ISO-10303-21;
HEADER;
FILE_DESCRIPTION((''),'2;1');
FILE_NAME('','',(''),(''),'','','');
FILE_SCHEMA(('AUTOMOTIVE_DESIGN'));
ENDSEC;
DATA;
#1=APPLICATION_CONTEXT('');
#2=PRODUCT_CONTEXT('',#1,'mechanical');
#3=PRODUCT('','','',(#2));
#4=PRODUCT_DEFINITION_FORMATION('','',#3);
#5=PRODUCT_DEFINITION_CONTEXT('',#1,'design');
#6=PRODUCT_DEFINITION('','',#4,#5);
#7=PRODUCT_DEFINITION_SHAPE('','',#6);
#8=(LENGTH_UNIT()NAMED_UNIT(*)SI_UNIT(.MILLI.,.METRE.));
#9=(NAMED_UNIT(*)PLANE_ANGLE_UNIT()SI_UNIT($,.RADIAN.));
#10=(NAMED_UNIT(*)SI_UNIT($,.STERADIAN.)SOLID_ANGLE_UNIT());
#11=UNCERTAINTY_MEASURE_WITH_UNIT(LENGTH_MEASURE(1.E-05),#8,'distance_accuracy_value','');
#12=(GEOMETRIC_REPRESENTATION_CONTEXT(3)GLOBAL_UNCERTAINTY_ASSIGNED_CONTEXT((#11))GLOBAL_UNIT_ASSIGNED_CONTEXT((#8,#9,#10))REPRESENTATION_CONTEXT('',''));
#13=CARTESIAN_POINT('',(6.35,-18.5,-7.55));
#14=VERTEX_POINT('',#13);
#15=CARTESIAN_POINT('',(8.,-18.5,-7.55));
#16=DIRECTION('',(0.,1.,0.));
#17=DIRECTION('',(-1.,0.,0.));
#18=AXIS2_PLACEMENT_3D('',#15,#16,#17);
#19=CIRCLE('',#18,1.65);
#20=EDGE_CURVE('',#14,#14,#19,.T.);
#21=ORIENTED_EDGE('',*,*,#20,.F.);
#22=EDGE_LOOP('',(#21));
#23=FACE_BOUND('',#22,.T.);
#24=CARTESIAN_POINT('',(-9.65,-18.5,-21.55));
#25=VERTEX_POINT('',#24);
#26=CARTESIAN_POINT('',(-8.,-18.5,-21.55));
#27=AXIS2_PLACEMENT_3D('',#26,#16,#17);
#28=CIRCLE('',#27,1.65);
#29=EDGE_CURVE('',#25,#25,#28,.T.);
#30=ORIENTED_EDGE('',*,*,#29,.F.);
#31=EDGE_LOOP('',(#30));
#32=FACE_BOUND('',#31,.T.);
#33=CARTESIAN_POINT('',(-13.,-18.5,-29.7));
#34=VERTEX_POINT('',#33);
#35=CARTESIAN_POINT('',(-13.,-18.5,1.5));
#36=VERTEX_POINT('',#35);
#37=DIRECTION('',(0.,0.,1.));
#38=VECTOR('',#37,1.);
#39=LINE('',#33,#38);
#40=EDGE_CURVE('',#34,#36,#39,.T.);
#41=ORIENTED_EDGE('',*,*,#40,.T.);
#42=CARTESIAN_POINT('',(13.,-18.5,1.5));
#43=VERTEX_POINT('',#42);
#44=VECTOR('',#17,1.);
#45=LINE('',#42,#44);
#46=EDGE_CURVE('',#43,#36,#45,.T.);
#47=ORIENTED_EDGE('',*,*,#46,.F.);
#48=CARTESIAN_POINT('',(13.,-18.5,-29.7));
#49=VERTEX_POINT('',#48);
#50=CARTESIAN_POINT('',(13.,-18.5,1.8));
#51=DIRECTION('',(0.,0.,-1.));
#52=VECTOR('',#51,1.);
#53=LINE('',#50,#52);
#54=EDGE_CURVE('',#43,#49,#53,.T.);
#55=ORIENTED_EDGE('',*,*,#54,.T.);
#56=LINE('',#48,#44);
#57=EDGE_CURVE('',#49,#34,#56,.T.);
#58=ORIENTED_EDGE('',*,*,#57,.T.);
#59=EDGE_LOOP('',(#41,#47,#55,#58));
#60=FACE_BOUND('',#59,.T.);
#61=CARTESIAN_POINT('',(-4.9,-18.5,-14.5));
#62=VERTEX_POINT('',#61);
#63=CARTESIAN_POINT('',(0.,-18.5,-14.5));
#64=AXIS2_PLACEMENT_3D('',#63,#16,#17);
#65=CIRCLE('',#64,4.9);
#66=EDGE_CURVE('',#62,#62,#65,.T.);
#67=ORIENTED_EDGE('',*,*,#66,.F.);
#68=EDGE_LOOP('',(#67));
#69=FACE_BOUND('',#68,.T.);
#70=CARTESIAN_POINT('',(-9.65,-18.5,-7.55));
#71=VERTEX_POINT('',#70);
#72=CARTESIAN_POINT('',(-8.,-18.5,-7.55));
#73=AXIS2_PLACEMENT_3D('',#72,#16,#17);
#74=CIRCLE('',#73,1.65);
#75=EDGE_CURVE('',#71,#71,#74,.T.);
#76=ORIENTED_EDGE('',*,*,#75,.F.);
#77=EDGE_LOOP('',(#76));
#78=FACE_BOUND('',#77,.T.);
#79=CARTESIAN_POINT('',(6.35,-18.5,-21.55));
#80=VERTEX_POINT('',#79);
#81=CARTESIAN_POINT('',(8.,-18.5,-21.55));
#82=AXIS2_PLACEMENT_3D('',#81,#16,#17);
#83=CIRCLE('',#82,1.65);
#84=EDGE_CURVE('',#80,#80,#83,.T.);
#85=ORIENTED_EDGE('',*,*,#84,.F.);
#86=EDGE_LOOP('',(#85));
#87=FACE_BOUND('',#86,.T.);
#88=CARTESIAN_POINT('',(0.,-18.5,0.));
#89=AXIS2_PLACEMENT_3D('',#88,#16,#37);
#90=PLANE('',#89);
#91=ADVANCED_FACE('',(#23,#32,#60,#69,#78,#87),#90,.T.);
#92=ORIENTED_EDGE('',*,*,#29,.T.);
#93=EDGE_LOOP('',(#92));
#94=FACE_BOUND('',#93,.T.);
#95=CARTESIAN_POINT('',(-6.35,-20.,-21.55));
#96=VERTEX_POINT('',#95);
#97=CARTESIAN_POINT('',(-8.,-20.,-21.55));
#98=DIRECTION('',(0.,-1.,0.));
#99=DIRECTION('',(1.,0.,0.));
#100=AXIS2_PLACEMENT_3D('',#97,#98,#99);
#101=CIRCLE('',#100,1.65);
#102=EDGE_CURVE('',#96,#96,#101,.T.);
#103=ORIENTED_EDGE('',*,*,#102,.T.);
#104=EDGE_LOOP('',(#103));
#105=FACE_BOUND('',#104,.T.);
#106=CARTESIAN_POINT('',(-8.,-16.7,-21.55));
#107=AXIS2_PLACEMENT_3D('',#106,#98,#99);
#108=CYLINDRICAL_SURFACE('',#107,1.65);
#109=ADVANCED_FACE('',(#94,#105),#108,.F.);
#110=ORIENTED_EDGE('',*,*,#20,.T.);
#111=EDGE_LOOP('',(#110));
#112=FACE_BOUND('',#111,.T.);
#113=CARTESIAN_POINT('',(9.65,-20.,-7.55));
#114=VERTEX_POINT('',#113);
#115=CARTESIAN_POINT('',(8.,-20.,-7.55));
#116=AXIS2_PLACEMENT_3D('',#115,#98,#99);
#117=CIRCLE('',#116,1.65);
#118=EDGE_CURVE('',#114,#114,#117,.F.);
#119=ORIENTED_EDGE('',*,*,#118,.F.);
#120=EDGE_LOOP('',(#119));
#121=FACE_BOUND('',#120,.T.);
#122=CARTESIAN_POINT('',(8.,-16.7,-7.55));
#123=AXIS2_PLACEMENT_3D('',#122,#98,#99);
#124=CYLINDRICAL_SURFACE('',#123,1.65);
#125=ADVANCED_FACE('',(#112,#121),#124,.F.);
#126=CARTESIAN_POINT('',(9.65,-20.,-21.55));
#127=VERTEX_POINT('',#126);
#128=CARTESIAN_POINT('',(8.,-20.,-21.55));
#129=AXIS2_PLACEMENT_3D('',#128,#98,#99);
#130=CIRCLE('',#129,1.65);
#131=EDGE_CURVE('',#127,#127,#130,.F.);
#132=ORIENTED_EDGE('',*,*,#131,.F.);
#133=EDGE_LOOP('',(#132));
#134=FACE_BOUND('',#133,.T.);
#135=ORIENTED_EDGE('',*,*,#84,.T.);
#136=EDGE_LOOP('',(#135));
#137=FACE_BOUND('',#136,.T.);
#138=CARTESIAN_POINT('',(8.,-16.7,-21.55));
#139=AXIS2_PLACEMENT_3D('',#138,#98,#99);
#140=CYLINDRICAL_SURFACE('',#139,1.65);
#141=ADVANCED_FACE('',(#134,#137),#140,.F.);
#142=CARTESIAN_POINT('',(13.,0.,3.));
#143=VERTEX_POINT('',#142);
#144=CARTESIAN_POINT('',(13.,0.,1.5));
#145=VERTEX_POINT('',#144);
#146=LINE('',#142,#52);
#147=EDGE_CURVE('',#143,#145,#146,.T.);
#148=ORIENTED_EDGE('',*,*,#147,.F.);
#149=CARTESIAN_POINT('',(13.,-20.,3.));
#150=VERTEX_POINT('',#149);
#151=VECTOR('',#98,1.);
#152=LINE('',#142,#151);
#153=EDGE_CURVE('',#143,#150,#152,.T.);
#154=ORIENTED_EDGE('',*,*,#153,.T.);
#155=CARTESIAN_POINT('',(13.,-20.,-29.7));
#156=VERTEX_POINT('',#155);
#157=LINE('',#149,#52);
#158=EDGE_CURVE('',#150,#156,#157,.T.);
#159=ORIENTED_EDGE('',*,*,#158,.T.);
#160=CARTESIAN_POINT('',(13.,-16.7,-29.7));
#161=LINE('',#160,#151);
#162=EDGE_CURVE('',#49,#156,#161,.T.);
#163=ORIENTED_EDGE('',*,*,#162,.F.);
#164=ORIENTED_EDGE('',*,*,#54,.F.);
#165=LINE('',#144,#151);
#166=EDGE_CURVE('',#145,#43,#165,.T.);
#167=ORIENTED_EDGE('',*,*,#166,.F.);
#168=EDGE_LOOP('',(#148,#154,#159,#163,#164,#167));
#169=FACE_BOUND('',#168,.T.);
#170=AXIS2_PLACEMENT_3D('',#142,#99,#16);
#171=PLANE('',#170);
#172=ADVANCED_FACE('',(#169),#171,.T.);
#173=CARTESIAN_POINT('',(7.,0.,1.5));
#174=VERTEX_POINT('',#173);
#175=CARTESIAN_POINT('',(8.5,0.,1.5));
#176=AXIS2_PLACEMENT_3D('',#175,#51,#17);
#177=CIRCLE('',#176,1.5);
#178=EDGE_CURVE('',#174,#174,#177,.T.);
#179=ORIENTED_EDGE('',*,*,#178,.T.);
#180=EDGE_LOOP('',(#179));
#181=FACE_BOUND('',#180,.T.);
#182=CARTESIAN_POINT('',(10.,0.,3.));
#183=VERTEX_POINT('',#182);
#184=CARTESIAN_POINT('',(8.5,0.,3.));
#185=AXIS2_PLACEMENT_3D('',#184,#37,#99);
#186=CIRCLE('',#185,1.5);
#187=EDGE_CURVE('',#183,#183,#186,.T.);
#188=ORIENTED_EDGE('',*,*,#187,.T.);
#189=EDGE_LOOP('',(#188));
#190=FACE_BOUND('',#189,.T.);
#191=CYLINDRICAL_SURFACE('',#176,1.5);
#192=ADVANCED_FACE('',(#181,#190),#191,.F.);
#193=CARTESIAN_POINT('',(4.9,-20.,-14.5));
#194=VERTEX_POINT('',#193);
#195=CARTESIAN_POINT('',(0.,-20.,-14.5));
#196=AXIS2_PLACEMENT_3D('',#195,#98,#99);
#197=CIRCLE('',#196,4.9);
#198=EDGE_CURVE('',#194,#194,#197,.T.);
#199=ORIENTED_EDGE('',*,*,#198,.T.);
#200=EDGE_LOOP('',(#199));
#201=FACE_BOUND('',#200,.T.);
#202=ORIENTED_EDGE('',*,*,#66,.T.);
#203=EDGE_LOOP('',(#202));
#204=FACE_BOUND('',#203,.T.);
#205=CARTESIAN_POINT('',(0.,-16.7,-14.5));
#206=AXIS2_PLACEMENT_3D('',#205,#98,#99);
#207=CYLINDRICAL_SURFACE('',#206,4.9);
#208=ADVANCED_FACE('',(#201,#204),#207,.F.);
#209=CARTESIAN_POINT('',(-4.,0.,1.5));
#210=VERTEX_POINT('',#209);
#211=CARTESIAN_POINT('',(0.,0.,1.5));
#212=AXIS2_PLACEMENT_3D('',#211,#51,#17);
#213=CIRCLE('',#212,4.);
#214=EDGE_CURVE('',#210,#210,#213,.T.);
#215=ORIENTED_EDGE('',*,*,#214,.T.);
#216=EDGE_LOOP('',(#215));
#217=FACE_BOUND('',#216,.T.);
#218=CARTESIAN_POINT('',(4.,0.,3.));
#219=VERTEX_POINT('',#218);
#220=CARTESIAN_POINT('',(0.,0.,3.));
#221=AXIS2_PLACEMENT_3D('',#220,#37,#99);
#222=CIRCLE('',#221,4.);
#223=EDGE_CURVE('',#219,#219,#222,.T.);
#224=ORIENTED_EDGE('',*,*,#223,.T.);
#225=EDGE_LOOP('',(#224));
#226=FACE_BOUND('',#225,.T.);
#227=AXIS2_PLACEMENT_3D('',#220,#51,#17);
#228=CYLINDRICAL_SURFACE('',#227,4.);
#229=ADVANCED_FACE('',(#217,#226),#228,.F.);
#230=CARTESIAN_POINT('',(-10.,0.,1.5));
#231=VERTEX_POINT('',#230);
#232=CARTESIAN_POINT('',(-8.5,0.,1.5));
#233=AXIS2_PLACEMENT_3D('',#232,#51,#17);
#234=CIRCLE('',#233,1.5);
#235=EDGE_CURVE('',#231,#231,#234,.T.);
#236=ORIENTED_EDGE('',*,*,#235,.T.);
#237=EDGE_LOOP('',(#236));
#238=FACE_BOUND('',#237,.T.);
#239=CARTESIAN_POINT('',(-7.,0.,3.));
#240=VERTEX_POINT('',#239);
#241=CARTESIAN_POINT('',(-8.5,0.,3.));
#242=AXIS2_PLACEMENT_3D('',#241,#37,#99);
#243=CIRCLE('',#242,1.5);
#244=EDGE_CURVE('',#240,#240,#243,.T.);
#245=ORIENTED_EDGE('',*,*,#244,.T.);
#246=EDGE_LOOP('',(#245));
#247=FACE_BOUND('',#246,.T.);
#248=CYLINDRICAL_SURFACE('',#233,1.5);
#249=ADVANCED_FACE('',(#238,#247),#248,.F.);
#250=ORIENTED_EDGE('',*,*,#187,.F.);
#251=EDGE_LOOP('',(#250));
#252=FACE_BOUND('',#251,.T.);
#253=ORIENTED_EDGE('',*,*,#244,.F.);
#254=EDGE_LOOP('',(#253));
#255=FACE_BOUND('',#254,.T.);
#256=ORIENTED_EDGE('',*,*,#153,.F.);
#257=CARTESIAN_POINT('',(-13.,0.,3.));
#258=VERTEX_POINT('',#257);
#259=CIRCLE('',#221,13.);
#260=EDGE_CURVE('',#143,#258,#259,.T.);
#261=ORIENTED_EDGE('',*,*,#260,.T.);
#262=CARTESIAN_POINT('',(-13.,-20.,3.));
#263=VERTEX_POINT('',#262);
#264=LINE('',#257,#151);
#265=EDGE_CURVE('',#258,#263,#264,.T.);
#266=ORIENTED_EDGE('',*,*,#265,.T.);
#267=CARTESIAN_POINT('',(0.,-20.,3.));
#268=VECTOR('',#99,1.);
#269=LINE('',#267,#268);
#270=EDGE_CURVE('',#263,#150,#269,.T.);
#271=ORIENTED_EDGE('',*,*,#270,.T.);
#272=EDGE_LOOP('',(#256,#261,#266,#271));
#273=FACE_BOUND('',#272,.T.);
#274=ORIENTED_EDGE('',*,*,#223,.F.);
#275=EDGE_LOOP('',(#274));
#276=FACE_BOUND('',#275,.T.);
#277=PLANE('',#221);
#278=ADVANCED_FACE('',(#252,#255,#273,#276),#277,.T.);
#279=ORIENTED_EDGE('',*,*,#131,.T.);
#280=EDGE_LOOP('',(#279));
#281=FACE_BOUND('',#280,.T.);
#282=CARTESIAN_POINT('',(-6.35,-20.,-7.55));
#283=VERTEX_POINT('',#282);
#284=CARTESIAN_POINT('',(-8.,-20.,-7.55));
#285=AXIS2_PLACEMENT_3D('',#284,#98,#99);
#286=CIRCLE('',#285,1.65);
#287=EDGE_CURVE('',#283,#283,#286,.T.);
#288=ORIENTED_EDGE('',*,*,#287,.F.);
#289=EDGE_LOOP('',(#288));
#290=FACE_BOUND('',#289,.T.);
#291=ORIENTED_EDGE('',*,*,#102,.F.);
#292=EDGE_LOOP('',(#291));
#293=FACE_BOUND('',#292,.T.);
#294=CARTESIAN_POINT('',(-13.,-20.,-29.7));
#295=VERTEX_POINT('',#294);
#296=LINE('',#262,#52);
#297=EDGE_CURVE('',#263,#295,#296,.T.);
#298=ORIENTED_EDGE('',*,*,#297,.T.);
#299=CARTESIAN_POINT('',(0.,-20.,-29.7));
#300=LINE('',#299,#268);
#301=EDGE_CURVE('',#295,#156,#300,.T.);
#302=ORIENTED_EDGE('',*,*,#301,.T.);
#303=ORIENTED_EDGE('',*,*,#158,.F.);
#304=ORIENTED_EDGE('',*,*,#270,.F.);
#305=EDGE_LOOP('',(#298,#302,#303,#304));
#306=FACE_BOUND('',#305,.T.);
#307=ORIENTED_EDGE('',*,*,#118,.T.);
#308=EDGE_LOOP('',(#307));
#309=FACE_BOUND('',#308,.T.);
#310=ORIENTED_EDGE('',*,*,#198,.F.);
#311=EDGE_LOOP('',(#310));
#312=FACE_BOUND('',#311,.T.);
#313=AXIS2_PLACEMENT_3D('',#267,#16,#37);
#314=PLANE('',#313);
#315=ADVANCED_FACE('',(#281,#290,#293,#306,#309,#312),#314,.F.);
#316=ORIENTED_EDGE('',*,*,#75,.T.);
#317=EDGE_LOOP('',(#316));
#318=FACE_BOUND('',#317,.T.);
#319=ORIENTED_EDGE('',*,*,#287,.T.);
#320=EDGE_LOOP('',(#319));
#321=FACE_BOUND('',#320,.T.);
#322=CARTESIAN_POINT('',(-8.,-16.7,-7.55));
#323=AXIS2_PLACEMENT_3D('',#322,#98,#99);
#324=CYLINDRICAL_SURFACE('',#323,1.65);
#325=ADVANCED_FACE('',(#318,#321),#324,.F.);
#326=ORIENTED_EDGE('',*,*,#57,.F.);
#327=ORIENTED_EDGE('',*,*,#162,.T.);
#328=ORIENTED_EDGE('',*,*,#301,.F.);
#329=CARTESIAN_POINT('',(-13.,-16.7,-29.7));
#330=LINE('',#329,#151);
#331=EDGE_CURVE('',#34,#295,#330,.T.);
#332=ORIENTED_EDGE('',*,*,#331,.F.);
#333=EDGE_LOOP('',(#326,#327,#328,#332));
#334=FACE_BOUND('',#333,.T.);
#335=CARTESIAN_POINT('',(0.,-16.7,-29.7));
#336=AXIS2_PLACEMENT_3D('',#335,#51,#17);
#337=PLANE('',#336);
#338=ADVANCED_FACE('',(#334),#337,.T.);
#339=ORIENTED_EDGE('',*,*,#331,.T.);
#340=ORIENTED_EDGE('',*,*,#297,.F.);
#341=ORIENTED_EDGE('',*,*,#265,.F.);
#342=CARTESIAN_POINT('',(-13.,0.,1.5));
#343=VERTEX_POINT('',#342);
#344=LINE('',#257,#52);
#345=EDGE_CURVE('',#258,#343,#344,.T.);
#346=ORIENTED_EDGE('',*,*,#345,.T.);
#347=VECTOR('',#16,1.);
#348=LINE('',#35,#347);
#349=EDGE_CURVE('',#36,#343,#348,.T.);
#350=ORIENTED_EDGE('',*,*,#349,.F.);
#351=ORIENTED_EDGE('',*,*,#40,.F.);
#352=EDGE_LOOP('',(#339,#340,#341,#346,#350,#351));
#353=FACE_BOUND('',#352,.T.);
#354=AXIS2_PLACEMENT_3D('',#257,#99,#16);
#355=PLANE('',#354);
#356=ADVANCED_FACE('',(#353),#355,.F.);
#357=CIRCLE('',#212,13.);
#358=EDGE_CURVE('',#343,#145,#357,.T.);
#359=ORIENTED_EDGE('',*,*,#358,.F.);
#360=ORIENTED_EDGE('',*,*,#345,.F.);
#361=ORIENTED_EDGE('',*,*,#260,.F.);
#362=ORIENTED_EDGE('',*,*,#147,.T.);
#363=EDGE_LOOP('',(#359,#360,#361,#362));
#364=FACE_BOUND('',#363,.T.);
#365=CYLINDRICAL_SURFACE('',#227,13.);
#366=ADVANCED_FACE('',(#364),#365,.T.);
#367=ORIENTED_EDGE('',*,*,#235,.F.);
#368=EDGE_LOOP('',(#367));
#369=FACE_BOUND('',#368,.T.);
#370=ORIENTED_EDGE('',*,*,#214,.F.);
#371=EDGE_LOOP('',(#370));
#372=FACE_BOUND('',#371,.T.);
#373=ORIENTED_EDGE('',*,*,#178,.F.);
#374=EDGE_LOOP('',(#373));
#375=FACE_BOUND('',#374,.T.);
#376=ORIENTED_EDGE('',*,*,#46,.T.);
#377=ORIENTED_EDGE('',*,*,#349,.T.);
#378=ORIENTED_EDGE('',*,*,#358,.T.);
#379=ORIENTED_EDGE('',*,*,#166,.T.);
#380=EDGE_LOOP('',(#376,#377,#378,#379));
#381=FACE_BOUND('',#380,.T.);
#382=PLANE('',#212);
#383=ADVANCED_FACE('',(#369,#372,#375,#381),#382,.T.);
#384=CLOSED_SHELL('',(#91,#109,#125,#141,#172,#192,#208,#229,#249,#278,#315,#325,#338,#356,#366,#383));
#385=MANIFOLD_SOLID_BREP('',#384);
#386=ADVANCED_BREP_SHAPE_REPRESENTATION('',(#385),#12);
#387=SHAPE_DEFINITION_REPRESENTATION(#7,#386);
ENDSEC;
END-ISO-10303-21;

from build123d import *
from build123d.topology import SkipClean

# Parameters (mm, degrees)
SKETCH_1_R          = 4
SKETCH_1_R_2        = 3
EXTRUDE_1_DEPTH     = 3
SKETCH_2_R          = 3
SKETCH_2_R_2        = 1.5
EXTRUDE_2_DEPTH     = 1.5
SKETCH_3_W          = 26
SKETCH_3_H          = 29.7
SKETCH_3_R          = 4.9
SKETCH_3_R_2        = 1.65
EXTRUDE_3_DEPTH     = 3.3
SKETCH_5_R          = 3
SKETCH_5_R_2        = 1.5
EXTRUDE_4_DEPTH     = 1.5
SKETCH_6_R          = 4
SKETCH_6_R_2        = 1.5
CUT_EXTRUDE_1_DEPTH = 1.8
CUT_EXTRUDE_START   = -1.8
SKETCH_7_W          = 26
SKETCH_7_H          = 31.5
SKETCH_7_R          = 4.9
SKETCH_7_R_2        = 1.65
CUT_EXTRUDE_2_DEPTH = 1.8
EXTRUDE_START       = 0.3
SKETCH_11_R         = 4
SKETCH_11_R_2       = 1.5
EXTRUDE_5_DEPTH     = 0.3


with BuildPart() as part:
    # 草图1 → 凸台-拉伸1 (new body)
    with BuildSketch(Plane.XY):
        with BuildLine():
            Line((-13, 0), (-13, -20))
            Line((-13, -20), (13, -20))
            Line((13, -20), (13, 0))
            ThreePointArc((13, 0), (0, 13), (-13, 0))
        make_face()
        Circle(SKETCH_1_R, mode=Mode.SUBTRACT)
        with Locations((8.5, 0)):
            Circle(SKETCH_1_R_2, mode=Mode.SUBTRACT)
        with Locations((-8.5, 0)):
            Circle(SKETCH_1_R_2, mode=Mode.SUBTRACT)
    extrude(amount=EXTRUDE_1_DEPTH)

    # 草图2 → 凸台-拉伸2 (add)
    # profile 1 of 2: a face of its own
    with BuildSketch(Plane(origin=(0, 0, 0), x_dir=(-1, 0, 0), z_dir=(0, 0, -1))):
        with Locations((8.5, 0)):
            Circle(SKETCH_2_R)
        with Locations((8.5, 0)):
            Circle(SKETCH_2_R_2, mode=Mode.SUBTRACT)
    # profile 2 of 2: a face of its own
    with BuildSketch(Plane(origin=(0, 0, 0), x_dir=(-1, 0, 0), z_dir=(0, 0, -1))):
        with Locations((-8.5, 0)):
            Circle(SKETCH_2_R)
        with Locations((-8.5, 0)):
            Circle(SKETCH_2_R_2, mode=Mode.SUBTRACT)
    extrude(amount=-EXTRUDE_2_DEPTH)

    # 草图3 → 凸台-拉伸3 (add)
    with BuildSketch(Plane.XZ.offset(20)):
        with Locations((0, -14.85)):
            Rectangle(SKETCH_3_W, SKETCH_3_H)
        with Locations((0, -14.5)):
            Circle(SKETCH_3_R, mode=Mode.SUBTRACT)
        with Locations((-8, -21.55)):
            Circle(SKETCH_3_R_2, mode=Mode.SUBTRACT)
        with Locations((-8, -7.55)):
            Circle(SKETCH_3_R_2, mode=Mode.SUBTRACT)
        with Locations((8, -7.55)):
            Circle(SKETCH_3_R_2, mode=Mode.SUBTRACT)
        with Locations((8, -21.55)):
            Circle(SKETCH_3_R_2, mode=Mode.SUBTRACT)
    extrude(amount=-EXTRUDE_3_DEPTH)

    # 草图5 → 凸台-拉伸4 (add)
    # profile 1 of 2: a face of its own
    with BuildSketch(Plane.XY.offset(1.5)):
        with Locations((-8.5, 0)):
            Circle(SKETCH_5_R)
        with Locations(Location((-8.5, 0, 0), (0, 0, 180))):
            Circle(SKETCH_5_R_2, mode=Mode.SUBTRACT)
    # profile 2 of 2: a face of its own
    with BuildSketch(Plane.XY.offset(1.5)):
        with Locations((8.5, 0)):
            Circle(SKETCH_5_R)
        with Locations(Location((8.5, 0, 0), (0, 0, 180))):
            Circle(SKETCH_5_R_2, mode=Mode.SUBTRACT)
    extrude(amount=EXTRUDE_4_DEPTH)

    # 草图6 → 切除-拉伸1 (cut)
    with BuildSketch(Plane(origin=(0, 0, 0), x_dir=(-1, 0, 0), z_dir=(0, 0, -1))):
        with BuildLine():
            Line((-13, -16.7), (13, -16.7))
            Line((13, -16.7), (13, 0))
            ThreePointArc((13, 0), (0, 13), (-13, 0))
            Line((-13, 0), (-13, -16.7))
        make_face()
        Circle(SKETCH_6_R, mode=Mode.SUBTRACT)
        with Locations((8.5, 0)):
            Circle(SKETCH_6_R_2, mode=Mode.SUBTRACT)
        with Locations((-8.5, 0)):
            Circle(SKETCH_6_R_2, mode=Mode.SUBTRACT)
    extrude(amount=-CUT_EXTRUDE_1_DEPTH, mode=Mode.SUBTRACT)

    # 草图7 → 切除-拉伸2 (cut)
    with BuildSketch(Plane(origin=(0, -16.7, 0), x_dir=(1, 0, 0), z_dir=(0, 1, 0)).offset(CUT_EXTRUDE_START)):
        with Locations((0, 13.95)):
            Rectangle(SKETCH_7_W, SKETCH_7_H)
        with Locations((0, 14.5)):
            Circle(SKETCH_7_R, mode=Mode.SUBTRACT)
        with Locations((-8, 7.55)):
            Circle(SKETCH_7_R_2, mode=Mode.SUBTRACT)
        with Locations((8, 7.55)):
            Circle(SKETCH_7_R_2, mode=Mode.SUBTRACT)
        with Locations((8, 21.55)):
            Circle(SKETCH_7_R_2, mode=Mode.SUBTRACT)
        with Locations((-8, 21.55)):
            Circle(SKETCH_7_R_2, mode=Mode.SUBTRACT)
    extrude(amount=CUT_EXTRUDE_2_DEPTH, mode=Mode.SUBTRACT)

    # 草图11 → 凸台-拉伸5 (add)
    with SkipClean():  # the faces are left unmerged after this step: merging them gives an invalid solid
        with BuildSketch(Plane(origin=(0, 0, 1.8), x_dir=(-1, 0, 0), z_dir=(0, 0, -1)).offset(EXTRUDE_START)):
            with BuildLine():
                Line((-13, 0), (-13, -18.5))
                Line((-13, -18.5), (13, -18.5))
                Line((13, -18.5), (13, 0))
                ThreePointArc((13, 0), (0, 13), (-13, 0))
            make_face()
            Circle(SKETCH_11_R, mode=Mode.SUBTRACT)
            with Locations((-8.5, 0)):
                Circle(SKETCH_11_R_2, mode=Mode.SUBTRACT)
            with Locations((8.5, 0)):
                Circle(SKETCH_11_R_2, mode=Mode.SUBTRACT)
        extrude(amount=-EXTRUDE_5_DEPTH)


solid = part.part
